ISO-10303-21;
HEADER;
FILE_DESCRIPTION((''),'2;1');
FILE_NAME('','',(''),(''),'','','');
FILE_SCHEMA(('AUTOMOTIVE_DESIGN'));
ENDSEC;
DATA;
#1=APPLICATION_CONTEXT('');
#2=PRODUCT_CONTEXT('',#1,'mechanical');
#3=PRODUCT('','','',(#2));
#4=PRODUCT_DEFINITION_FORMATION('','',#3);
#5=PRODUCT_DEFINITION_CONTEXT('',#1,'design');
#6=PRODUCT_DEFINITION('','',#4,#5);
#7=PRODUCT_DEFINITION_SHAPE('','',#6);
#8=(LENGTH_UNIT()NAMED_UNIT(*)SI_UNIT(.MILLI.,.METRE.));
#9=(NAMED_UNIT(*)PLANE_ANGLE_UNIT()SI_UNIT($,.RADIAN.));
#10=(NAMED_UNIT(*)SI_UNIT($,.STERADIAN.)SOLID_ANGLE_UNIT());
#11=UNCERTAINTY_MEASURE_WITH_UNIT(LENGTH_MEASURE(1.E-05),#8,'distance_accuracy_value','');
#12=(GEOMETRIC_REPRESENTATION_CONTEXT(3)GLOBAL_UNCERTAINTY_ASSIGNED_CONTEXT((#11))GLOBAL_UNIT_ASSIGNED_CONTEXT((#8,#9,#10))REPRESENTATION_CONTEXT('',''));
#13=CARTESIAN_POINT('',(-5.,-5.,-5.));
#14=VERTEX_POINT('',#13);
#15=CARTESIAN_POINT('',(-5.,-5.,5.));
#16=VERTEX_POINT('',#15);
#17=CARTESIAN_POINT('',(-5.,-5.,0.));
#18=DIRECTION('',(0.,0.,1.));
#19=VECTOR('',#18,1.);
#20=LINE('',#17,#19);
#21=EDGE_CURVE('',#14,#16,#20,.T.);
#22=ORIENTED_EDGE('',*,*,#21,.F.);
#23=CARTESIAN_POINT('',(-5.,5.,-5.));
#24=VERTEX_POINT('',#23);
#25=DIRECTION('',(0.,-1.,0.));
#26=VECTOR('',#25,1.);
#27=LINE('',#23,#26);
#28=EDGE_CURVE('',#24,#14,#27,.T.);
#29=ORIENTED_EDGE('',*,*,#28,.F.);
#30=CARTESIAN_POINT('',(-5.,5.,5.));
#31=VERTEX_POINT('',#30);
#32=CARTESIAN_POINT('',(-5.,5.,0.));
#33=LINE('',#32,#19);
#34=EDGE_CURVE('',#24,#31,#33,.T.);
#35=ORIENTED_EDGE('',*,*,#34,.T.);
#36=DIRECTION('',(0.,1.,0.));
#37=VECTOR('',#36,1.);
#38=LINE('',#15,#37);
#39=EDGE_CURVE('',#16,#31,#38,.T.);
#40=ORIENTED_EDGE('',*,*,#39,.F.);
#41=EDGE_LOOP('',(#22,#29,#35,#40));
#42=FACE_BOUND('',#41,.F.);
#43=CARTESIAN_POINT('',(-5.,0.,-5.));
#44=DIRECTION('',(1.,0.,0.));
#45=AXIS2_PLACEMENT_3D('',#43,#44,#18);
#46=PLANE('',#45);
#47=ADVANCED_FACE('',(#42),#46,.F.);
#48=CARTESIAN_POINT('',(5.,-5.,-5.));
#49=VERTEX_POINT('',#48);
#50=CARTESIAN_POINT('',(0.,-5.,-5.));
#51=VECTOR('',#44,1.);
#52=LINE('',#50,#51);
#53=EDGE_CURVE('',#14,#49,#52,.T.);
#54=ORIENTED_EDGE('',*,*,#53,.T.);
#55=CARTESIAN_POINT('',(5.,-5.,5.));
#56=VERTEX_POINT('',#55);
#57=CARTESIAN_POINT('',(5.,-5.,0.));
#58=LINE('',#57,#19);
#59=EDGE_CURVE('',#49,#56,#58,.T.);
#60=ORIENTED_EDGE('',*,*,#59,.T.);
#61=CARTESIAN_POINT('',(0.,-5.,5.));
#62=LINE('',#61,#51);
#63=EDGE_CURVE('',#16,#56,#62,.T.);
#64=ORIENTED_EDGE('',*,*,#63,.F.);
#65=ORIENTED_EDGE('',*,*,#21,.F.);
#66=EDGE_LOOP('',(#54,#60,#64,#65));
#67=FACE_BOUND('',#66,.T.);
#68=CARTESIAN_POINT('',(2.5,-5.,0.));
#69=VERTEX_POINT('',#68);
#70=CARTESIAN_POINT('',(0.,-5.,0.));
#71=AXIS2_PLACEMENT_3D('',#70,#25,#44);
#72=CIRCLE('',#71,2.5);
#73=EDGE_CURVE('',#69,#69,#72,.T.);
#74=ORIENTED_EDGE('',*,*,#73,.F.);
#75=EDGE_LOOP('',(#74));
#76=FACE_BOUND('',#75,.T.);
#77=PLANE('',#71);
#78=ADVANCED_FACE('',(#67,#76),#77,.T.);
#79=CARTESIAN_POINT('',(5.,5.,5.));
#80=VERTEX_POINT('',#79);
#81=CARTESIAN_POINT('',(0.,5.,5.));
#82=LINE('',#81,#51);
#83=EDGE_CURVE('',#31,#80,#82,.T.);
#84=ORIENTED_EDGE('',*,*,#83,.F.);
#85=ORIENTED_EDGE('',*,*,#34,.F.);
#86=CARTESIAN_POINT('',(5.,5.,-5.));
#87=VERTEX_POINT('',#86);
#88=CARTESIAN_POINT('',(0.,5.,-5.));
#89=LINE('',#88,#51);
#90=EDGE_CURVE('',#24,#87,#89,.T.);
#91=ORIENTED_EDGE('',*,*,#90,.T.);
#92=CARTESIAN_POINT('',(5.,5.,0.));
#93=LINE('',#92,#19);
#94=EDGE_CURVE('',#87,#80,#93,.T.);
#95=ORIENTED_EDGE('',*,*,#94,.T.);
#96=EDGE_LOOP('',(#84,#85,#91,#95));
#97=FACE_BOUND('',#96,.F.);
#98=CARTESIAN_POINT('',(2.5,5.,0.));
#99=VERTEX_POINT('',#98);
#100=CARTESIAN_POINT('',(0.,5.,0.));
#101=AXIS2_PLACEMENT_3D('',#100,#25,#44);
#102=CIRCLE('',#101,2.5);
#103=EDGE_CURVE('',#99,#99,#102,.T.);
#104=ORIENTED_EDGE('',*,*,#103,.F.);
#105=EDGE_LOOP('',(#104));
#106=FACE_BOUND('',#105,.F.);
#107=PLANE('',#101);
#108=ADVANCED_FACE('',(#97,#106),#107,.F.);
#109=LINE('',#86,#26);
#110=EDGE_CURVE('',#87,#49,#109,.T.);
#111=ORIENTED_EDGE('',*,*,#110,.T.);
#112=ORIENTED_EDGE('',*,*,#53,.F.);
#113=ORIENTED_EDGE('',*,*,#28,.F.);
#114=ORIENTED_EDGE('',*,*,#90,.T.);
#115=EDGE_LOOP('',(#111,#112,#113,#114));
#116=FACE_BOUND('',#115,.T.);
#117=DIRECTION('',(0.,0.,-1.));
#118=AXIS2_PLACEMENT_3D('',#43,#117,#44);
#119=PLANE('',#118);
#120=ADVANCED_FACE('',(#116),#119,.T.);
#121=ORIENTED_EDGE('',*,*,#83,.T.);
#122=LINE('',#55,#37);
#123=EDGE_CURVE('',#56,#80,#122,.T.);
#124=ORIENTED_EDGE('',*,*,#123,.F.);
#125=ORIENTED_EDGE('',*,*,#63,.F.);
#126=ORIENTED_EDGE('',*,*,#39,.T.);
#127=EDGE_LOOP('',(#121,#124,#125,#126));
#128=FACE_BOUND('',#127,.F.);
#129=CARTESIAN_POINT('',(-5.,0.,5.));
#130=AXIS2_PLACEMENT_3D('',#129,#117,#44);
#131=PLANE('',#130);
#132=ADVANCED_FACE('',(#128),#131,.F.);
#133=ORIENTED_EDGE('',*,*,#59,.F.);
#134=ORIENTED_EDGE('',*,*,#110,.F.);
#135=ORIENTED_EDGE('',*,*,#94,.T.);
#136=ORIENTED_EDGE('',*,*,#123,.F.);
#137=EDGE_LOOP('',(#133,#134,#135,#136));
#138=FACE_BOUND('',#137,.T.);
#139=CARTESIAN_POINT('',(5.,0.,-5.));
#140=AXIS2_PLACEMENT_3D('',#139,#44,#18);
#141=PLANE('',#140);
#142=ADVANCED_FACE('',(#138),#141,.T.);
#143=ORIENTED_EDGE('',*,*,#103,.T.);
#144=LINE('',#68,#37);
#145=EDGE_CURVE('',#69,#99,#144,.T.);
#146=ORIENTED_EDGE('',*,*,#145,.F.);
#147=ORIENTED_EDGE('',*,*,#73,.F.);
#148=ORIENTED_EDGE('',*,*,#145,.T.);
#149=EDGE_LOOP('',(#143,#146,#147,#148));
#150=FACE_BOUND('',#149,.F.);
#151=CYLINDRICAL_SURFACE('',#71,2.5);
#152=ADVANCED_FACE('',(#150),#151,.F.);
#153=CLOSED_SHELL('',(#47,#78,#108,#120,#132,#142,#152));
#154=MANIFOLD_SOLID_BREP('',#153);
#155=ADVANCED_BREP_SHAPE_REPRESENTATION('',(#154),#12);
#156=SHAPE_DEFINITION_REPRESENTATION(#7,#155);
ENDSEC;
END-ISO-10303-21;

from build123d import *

# Parameters (mm, degrees)
F0_W     = 10
F0_H     = 10
F1_DEPTH = 5
F2_R     = 2.5
F3_DEPTH = 10.001


with BuildPart() as f1:
    # F0 (on Front) → F1 (new body, symmetric)
    with BuildSketch(Plane.XZ):
        Rectangle(F0_W, F0_H)
    extrude(amount=F1_DEPTH, both=True)

    # F2 (on face) → F3 (cut, through all)
    with BuildSketch(Plane.XZ.offset(5)):
        Circle(F2_R)
    extrude(amount=-F3_DEPTH, mode=Mode.SUBTRACT)


solid = f1.part
